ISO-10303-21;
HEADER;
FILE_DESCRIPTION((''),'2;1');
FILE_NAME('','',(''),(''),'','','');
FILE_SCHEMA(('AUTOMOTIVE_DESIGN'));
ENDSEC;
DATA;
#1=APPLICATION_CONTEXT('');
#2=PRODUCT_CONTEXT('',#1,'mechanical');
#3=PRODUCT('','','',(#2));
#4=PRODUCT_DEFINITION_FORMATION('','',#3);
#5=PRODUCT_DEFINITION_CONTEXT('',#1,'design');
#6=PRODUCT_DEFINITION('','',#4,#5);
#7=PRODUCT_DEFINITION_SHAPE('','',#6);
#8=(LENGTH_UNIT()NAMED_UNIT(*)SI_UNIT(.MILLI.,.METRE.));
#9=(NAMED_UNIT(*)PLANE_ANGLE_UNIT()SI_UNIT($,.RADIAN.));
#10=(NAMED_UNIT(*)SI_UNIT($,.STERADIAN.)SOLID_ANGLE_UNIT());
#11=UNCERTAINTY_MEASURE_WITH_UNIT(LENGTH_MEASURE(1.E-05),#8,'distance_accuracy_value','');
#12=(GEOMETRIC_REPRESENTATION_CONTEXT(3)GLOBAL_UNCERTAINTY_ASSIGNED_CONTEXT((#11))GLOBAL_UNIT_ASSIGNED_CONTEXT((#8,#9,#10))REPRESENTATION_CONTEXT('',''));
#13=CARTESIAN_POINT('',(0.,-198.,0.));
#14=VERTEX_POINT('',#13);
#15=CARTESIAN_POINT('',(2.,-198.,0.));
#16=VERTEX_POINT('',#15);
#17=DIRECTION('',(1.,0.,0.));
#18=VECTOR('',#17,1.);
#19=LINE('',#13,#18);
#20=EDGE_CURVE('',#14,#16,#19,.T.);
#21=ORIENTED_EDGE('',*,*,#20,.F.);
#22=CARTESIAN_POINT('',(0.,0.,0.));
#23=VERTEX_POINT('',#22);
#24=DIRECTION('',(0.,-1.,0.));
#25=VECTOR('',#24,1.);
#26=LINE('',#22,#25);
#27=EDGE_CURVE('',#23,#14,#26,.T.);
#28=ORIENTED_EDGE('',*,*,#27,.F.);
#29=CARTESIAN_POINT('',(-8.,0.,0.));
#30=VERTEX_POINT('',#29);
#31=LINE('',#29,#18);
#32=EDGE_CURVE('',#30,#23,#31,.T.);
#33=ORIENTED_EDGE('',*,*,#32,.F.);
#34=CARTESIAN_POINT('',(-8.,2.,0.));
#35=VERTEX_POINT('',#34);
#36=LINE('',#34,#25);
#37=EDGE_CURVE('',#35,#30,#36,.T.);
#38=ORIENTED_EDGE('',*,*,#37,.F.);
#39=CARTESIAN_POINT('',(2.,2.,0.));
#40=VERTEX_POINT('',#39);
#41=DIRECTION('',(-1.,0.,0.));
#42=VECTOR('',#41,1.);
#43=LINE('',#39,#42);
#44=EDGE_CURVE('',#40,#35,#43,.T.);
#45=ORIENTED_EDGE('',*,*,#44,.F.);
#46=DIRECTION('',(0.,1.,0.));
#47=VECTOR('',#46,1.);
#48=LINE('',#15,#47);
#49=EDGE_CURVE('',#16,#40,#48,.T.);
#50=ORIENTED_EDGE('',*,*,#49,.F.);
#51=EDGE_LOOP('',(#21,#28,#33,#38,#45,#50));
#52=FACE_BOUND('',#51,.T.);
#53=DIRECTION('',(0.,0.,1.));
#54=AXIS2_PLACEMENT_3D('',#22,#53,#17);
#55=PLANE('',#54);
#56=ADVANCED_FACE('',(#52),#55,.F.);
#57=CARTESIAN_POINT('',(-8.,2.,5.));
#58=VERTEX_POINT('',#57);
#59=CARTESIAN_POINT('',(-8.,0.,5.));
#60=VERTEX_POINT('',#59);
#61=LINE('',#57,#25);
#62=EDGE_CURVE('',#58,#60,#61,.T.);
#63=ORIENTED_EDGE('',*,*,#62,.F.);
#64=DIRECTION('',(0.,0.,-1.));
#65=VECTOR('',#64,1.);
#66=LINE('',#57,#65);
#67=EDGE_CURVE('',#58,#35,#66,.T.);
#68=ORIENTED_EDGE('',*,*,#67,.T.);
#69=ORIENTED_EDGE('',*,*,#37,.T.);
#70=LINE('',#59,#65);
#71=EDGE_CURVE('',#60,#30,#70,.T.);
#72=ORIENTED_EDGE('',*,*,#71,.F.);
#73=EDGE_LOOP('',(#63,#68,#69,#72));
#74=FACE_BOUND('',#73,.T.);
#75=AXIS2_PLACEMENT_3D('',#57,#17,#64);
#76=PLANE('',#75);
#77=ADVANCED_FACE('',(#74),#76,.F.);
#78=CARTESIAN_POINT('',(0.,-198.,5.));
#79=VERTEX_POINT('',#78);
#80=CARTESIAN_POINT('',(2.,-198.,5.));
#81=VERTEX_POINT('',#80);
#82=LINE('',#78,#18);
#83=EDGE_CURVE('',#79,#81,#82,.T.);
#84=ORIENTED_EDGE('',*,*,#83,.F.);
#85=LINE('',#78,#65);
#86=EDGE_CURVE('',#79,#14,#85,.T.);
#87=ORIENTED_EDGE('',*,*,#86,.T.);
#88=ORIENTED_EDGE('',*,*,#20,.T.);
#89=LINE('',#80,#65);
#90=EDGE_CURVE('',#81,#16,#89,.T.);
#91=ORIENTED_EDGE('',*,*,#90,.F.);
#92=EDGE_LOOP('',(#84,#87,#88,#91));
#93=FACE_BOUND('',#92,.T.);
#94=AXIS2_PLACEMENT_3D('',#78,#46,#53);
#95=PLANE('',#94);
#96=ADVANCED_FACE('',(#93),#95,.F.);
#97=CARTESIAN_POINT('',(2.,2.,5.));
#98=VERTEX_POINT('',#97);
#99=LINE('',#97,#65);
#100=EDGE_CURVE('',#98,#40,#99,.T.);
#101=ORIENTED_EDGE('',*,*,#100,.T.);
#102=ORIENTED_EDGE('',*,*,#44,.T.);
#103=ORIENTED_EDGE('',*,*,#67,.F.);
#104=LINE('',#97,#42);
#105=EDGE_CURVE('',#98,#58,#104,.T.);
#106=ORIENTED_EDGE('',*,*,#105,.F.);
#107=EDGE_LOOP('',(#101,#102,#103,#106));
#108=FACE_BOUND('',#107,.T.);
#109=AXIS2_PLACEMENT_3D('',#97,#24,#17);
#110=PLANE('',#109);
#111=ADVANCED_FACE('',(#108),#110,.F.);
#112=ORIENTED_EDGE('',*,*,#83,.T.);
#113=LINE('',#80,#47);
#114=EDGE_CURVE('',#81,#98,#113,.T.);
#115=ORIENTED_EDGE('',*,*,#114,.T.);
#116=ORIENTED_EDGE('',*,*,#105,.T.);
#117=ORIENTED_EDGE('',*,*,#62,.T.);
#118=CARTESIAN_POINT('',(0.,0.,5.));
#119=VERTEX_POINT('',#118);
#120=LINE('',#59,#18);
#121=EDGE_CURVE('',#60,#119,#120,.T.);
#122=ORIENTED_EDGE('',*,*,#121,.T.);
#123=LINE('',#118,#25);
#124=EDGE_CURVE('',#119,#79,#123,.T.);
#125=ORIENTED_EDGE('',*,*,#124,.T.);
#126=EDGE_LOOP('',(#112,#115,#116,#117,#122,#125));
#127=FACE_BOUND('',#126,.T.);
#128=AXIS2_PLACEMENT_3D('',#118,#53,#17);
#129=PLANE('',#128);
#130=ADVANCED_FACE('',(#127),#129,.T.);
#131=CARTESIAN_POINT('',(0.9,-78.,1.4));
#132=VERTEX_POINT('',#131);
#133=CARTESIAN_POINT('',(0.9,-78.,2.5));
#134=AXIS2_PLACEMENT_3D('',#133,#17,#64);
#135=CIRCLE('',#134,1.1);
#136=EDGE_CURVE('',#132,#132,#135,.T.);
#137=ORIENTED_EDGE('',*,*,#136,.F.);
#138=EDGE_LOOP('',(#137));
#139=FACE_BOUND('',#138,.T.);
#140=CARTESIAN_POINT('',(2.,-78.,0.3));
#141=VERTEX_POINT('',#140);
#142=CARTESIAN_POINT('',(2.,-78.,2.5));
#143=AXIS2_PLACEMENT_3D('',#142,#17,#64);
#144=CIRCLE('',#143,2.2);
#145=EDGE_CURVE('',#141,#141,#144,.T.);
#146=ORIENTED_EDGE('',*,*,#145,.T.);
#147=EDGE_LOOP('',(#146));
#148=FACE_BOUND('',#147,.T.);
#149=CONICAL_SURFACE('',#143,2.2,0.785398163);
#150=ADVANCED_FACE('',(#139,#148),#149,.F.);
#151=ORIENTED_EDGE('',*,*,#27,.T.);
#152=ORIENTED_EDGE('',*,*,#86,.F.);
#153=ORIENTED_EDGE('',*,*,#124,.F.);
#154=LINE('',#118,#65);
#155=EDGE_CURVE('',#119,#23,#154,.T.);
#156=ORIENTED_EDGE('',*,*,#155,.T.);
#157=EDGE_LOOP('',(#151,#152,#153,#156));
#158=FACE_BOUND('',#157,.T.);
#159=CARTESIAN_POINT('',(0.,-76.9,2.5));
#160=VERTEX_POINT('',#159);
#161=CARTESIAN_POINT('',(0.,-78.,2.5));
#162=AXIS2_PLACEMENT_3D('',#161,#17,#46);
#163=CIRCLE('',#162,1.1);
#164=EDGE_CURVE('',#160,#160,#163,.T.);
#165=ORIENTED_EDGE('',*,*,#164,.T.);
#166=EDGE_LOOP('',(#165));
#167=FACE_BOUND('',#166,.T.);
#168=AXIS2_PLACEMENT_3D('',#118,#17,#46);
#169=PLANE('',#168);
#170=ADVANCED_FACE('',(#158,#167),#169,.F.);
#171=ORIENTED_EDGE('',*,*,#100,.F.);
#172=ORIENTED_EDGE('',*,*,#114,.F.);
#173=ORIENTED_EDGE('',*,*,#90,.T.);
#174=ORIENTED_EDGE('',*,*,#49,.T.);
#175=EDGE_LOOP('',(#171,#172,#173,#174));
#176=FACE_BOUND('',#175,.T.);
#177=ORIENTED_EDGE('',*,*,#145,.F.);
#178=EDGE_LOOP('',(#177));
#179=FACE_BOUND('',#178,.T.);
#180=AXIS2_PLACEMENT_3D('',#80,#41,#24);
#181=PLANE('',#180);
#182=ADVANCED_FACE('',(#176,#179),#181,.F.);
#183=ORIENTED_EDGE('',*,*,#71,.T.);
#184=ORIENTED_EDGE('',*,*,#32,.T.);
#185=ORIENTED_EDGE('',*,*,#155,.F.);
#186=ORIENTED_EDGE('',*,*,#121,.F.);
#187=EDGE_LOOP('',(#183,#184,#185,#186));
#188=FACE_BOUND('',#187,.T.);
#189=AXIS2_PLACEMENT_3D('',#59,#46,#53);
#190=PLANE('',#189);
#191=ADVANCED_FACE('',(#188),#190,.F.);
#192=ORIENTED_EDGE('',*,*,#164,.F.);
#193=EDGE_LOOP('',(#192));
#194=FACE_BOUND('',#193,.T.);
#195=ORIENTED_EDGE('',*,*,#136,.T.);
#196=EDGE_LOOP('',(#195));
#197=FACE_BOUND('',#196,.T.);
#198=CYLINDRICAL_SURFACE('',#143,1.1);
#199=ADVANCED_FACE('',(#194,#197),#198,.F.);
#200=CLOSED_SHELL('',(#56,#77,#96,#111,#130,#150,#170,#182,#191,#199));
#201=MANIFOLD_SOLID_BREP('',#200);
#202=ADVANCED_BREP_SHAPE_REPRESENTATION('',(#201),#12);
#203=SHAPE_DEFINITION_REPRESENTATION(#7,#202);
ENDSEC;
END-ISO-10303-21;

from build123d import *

# Parameters (mm, degrees)
BOSS_EXTRUDE1_DEPTH = 5


with BuildPart() as part:
    # Sketch1 → Boss-Extrude1 (new body)
    with BuildSketch(Plane.XY):
        Polygon((-8, 0), (0, 0), (0, -198), (2, -198), (2, 2), (-8, 2), align=None)
    extrude(amount=BOSS_EXTRUDE1_DEPTH)

    # Sketch3 → CSK for M2 Flat Head Machine Screw1 (revolve, cut)
    with BuildSketch(Plane(origin=(2, -78, 2.5), x_dir=(0, 0, -1), z_dir=(0, 1, 0))):
        Polygon((0, 0), (0, 2), (1.1, 2), (1.1, 1.1), (2.2, 0), align=None)
    revolve(axis=Axis((8.35, -78, 2.5), (-1, 0, 0)), mode=Mode.SUBTRACT)


solid = part.part
